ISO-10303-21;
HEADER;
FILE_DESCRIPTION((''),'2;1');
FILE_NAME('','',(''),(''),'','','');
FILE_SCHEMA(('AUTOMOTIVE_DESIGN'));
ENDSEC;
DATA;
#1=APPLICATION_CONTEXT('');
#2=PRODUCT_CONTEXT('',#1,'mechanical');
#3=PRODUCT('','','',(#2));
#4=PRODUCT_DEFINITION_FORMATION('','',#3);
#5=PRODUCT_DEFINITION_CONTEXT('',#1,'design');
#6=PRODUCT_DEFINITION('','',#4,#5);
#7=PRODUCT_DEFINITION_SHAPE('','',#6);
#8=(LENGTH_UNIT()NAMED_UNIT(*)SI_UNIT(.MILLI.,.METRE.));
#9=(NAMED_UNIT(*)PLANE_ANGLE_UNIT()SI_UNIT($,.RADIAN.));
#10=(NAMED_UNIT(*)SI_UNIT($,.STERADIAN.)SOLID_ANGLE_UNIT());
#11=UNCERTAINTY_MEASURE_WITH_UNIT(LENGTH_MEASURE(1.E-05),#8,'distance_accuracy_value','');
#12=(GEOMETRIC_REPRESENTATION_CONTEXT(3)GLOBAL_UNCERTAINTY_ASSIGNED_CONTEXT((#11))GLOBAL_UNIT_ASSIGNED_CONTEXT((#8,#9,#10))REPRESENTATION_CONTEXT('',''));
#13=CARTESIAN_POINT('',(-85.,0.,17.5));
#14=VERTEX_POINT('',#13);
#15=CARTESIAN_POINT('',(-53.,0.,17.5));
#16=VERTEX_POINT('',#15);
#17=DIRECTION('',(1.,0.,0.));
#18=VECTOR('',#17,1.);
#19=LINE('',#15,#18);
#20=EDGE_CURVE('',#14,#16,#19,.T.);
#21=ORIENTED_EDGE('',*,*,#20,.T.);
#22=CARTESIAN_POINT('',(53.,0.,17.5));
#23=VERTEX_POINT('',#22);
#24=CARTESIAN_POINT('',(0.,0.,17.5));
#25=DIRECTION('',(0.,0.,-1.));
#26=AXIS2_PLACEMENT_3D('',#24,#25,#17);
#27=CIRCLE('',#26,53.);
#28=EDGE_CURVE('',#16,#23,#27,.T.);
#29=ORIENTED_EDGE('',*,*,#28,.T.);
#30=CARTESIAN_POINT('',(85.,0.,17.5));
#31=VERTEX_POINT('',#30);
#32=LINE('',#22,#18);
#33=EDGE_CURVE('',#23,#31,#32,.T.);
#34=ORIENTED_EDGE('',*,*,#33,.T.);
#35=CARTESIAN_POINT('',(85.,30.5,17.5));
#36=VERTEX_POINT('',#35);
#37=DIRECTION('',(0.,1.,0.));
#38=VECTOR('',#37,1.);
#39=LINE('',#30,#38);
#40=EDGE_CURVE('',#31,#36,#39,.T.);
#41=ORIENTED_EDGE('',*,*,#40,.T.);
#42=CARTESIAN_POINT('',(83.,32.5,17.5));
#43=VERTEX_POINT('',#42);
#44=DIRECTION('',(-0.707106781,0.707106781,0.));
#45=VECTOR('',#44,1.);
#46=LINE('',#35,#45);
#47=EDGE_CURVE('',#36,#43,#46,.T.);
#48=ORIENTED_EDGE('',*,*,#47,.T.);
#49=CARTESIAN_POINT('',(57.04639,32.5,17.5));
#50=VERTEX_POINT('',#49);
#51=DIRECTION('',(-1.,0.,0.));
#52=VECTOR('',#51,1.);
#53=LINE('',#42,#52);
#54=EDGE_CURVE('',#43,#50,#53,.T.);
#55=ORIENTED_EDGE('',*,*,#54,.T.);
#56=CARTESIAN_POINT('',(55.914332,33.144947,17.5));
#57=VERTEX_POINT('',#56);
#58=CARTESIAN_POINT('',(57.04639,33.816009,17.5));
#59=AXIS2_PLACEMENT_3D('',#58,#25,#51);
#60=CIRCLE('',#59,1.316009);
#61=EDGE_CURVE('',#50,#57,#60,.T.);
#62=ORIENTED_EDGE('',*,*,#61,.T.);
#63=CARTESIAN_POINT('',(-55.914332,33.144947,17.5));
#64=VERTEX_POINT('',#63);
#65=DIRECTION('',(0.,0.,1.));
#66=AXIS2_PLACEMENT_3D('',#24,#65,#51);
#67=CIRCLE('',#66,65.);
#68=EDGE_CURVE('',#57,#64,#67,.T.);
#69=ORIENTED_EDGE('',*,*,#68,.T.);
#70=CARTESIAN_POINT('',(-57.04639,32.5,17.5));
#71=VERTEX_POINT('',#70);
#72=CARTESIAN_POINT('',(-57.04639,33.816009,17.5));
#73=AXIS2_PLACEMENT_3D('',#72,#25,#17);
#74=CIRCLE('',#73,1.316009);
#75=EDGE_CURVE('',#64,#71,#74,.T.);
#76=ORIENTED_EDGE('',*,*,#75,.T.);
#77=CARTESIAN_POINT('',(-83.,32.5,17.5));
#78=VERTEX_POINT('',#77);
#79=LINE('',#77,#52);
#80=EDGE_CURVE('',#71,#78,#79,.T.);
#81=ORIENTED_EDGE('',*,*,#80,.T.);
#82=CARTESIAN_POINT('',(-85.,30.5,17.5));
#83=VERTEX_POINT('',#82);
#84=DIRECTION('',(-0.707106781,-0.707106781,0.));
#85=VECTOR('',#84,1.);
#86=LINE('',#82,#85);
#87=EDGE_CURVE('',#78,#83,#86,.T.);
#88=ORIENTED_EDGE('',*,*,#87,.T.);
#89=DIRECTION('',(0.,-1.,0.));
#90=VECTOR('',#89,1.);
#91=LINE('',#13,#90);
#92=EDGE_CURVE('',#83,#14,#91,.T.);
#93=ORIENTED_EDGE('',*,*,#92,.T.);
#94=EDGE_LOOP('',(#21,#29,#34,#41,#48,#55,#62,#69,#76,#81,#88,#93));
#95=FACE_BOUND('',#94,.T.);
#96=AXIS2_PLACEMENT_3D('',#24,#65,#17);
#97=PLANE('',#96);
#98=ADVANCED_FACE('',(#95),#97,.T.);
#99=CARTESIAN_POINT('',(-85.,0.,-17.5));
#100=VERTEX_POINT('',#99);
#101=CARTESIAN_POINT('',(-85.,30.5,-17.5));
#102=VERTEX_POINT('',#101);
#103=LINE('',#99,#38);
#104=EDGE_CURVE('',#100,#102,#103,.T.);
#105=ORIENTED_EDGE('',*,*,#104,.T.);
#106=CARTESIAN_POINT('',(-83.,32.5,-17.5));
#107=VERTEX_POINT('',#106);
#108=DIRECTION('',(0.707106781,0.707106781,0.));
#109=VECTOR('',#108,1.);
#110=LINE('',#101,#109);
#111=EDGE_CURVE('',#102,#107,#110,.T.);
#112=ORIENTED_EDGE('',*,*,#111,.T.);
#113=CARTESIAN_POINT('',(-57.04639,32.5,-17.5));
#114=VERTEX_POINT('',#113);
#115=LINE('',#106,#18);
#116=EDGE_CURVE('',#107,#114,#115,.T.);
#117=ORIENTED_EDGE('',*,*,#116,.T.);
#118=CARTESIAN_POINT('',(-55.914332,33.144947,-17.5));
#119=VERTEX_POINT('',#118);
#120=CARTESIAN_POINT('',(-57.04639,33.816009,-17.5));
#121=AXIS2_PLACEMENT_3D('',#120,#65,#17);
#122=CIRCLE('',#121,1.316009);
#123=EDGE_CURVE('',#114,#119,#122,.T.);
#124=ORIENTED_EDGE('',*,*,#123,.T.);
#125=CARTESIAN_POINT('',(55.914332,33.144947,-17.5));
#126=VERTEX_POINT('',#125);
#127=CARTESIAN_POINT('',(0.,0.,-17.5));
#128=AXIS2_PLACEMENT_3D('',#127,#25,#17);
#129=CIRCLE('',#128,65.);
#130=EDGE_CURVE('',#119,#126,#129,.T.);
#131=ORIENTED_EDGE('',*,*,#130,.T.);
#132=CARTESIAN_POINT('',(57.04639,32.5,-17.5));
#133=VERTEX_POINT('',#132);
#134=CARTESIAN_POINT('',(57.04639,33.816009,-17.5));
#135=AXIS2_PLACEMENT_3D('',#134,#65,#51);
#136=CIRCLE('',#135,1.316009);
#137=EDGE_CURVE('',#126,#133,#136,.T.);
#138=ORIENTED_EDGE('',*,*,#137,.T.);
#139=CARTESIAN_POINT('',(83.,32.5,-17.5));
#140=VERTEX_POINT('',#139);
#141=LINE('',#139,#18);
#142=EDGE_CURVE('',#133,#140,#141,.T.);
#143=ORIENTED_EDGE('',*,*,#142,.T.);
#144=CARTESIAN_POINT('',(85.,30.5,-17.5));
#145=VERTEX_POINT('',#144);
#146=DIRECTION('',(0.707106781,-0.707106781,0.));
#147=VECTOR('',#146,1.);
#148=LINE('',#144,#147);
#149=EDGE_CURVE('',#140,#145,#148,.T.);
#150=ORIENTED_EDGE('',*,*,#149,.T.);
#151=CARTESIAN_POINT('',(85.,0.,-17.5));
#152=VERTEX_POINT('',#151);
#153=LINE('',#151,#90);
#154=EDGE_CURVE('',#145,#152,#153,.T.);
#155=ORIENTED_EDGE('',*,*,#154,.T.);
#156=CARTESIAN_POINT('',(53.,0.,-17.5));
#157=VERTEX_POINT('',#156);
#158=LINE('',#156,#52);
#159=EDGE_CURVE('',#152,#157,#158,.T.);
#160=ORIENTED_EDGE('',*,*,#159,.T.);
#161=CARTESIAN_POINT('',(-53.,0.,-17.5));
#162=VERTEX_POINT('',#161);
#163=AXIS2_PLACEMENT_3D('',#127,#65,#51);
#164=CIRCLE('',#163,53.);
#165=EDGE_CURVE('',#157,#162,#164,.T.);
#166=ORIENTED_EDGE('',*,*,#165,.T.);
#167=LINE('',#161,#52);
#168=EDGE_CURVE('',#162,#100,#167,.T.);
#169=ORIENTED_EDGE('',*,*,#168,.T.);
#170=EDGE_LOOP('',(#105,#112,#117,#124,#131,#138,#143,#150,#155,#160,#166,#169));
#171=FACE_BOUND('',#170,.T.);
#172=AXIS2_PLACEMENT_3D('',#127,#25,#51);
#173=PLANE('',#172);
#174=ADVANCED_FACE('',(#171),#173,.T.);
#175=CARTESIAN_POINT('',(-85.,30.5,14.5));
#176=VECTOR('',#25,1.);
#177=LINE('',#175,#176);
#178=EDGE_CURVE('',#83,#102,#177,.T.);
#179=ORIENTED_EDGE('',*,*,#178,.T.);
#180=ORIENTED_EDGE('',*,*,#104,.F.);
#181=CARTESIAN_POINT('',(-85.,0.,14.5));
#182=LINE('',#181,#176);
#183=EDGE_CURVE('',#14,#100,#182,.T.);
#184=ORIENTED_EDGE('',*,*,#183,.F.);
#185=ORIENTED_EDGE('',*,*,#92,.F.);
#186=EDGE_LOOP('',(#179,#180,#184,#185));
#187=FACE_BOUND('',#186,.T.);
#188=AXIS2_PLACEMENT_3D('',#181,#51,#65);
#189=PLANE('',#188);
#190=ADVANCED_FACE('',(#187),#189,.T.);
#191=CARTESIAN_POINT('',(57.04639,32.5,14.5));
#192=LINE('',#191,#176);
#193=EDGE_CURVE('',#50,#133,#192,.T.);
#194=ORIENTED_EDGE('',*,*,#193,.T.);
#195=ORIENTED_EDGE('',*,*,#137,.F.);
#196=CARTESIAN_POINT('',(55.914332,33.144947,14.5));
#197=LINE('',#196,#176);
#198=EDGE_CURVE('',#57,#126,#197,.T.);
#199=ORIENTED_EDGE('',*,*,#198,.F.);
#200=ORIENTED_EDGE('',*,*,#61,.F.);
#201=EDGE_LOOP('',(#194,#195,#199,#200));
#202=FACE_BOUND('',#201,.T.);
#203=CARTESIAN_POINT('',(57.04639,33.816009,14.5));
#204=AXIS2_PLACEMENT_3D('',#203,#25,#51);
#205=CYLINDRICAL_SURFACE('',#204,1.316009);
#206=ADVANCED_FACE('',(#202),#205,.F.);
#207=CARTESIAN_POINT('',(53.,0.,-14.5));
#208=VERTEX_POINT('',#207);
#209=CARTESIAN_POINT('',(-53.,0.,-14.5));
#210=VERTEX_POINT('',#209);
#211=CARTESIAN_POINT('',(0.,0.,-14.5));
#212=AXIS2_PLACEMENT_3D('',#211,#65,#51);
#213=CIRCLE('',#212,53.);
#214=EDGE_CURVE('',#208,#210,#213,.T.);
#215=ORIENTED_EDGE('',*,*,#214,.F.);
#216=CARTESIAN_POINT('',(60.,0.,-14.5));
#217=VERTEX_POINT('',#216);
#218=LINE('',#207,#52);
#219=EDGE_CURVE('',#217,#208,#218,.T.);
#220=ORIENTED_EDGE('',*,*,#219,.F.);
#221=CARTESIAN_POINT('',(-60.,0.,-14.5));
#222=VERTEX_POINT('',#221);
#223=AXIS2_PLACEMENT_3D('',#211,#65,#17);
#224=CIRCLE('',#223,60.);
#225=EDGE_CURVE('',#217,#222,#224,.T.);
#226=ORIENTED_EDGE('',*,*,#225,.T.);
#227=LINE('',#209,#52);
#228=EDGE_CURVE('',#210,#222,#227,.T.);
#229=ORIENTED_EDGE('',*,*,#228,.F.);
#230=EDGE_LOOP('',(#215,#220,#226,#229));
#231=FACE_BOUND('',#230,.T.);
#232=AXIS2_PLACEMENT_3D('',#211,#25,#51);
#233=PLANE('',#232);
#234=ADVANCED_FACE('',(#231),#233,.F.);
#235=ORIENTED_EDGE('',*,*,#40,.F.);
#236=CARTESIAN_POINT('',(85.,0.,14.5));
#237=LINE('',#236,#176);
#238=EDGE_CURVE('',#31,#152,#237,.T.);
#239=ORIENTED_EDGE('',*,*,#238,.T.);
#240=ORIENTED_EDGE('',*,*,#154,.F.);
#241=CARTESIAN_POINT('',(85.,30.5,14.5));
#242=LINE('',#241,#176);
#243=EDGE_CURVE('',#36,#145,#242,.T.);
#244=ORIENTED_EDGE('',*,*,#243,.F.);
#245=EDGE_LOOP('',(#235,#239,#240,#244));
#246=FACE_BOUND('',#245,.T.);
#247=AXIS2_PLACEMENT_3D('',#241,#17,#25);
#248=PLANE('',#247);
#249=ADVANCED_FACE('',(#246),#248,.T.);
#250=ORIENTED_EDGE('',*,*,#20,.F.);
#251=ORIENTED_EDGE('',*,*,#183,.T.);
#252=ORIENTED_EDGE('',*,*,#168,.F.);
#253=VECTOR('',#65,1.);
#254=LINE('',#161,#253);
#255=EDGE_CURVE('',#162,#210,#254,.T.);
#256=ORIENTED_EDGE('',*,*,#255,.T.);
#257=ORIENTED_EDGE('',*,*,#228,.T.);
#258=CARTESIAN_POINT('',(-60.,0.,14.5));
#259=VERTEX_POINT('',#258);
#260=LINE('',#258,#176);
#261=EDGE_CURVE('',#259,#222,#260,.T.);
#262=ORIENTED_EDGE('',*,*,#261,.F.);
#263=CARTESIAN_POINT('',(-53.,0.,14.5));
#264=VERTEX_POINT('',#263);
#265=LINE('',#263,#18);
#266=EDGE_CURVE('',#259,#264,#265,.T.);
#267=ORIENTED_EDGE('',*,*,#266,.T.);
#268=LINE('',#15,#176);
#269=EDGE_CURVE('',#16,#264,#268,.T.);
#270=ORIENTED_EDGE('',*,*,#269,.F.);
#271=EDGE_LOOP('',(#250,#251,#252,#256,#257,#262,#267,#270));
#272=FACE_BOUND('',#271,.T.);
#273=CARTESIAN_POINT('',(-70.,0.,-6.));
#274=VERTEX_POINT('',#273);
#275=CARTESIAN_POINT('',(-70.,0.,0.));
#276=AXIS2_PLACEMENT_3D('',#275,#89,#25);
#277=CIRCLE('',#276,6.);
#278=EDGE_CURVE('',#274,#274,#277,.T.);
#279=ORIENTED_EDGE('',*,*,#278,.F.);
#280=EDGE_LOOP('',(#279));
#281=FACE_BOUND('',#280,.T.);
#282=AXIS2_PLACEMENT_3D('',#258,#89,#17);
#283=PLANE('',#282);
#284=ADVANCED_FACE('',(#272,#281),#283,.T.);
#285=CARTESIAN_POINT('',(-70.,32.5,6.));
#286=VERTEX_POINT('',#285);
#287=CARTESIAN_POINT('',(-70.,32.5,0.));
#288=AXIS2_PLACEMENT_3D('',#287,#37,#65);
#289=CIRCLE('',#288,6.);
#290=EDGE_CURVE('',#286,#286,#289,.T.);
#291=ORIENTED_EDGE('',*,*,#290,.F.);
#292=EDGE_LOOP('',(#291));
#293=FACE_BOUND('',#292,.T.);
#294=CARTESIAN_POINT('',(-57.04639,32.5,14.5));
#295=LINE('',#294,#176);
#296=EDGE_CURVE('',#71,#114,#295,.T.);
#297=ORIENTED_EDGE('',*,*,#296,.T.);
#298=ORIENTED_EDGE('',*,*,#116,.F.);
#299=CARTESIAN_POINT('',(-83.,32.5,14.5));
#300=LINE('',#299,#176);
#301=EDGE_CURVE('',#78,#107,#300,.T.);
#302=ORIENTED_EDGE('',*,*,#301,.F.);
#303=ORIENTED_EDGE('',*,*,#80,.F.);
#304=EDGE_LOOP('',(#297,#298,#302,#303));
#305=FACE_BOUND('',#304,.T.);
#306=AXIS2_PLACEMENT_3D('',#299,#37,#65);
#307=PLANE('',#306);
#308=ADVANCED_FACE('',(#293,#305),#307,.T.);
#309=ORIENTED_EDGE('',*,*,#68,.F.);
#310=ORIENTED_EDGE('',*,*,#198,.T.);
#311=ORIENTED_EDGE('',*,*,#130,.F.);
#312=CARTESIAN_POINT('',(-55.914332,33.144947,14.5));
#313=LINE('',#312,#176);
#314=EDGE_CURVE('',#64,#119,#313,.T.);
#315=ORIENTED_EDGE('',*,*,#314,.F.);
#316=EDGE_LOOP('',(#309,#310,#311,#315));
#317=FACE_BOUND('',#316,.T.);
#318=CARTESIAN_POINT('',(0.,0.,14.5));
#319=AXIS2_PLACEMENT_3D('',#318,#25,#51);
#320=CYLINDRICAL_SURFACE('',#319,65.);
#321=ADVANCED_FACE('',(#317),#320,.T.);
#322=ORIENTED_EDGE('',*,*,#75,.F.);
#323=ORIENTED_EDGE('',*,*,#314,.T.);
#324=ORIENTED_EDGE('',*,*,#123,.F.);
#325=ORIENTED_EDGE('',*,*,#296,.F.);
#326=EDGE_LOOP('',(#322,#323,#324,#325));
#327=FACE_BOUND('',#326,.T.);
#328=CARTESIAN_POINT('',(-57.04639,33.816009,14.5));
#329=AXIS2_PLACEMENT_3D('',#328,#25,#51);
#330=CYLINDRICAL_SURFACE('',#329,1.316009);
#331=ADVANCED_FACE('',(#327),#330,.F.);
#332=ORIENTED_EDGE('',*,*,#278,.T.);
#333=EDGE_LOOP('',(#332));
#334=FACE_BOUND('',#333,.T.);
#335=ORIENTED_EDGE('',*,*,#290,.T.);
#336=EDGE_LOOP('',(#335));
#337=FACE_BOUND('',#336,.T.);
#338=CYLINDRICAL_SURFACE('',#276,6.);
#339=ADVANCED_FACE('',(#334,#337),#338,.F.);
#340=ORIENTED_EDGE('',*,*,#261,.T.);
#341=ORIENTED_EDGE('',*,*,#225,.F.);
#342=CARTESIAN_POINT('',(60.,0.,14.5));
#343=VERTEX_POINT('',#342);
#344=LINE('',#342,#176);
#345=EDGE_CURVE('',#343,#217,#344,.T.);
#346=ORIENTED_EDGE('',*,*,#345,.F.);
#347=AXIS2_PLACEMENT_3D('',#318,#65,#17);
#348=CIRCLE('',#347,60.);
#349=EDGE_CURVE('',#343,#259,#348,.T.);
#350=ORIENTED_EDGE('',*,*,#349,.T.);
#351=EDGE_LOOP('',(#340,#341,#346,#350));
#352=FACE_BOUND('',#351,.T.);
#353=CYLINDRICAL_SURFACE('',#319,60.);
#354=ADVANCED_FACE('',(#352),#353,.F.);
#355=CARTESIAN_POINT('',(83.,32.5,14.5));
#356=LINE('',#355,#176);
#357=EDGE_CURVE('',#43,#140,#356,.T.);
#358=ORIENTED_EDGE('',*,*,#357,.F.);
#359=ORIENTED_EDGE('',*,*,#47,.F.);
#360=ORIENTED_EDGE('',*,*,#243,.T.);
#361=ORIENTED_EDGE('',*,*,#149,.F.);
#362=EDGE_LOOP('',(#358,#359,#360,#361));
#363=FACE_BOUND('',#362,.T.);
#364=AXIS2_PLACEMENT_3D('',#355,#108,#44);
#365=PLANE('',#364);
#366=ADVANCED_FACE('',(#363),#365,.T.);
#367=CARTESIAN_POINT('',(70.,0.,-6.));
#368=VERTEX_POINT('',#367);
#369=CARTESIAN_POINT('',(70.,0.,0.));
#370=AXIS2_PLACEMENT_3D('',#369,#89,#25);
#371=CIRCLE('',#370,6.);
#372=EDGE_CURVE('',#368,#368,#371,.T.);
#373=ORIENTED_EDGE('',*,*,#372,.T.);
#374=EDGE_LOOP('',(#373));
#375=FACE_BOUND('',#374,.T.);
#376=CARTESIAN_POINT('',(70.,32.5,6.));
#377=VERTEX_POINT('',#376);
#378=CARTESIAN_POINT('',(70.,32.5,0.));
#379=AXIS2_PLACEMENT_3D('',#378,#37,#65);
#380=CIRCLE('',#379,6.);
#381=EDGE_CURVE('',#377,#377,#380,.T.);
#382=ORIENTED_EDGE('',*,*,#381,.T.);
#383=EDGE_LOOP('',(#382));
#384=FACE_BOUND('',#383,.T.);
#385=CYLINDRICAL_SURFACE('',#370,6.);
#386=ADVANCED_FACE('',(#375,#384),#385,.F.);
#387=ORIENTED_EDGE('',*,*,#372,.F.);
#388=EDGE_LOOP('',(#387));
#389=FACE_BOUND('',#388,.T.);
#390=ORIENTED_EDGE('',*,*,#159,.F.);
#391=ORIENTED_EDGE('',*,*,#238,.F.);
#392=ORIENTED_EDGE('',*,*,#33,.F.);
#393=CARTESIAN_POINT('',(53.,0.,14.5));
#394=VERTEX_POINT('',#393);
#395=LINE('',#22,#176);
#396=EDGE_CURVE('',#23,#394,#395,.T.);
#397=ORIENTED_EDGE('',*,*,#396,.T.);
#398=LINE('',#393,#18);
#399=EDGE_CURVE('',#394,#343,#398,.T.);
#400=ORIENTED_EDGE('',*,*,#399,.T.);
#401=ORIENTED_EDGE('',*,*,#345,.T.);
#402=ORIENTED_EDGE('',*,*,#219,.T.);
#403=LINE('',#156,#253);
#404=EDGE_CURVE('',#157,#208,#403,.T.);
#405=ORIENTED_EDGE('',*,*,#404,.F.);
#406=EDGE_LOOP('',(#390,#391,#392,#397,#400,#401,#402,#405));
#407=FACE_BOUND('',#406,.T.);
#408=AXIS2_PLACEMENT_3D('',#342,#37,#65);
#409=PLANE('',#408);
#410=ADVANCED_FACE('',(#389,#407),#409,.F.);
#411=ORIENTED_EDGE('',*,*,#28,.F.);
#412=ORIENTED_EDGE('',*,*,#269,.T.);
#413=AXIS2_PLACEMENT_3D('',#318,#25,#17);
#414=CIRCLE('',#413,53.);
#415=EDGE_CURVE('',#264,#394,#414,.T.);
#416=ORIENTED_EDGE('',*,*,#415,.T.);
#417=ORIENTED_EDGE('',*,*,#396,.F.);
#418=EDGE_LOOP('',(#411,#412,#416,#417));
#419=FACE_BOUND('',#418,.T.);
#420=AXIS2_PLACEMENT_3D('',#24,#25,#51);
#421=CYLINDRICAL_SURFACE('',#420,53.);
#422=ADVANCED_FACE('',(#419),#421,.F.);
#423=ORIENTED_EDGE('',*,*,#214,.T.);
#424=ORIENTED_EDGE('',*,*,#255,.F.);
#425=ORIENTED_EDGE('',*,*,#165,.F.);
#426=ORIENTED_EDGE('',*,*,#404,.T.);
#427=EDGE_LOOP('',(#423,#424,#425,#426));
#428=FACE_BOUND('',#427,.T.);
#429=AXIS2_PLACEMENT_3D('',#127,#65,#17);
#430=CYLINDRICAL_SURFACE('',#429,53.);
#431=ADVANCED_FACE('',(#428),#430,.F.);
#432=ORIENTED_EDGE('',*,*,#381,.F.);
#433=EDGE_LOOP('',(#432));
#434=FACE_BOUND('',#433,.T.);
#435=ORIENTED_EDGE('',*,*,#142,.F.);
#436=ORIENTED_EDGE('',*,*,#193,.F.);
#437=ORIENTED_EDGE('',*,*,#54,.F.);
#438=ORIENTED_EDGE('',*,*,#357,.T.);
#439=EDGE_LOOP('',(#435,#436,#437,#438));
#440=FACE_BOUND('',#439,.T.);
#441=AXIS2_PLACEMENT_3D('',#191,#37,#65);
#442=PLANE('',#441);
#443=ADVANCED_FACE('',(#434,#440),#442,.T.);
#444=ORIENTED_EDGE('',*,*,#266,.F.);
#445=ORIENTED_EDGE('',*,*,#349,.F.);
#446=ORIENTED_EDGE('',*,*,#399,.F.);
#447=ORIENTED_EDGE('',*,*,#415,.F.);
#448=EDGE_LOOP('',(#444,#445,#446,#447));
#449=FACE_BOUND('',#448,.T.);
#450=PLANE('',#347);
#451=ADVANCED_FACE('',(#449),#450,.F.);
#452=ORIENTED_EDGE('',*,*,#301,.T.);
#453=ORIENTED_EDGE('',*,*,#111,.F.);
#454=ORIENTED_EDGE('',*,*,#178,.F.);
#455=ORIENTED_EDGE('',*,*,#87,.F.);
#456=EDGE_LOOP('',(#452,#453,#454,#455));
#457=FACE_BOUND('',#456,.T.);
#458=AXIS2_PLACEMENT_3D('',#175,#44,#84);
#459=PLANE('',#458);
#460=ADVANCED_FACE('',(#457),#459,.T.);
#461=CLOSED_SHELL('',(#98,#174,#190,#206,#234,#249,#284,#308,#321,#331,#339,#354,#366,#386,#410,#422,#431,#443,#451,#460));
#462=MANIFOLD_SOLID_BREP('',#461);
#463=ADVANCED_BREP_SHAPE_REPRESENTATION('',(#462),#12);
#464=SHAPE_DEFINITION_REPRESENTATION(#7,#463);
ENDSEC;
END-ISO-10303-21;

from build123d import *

# Parameters (mm, degrees)
DODANIE_WYCI_GNI_CIE1_DEPTH = 14.5
OTW_R_12_0_12_1_D           = 12
DODANIE_WYCI_GNI_CIE2_DEPTH = 3
DODANIE_WYCI_GNI_CIE3_START = 3
DODANIE_WYCI_GNI_CIE3_DEPTH = 3


with BuildPart() as part:
    # Szkic1 → Dodanie-wyciągnięcie1 (new, symmetric)
    with BuildSketch(Plane.XY):
        with BuildLine():
            Line((-85, 30.5), (-83, 32.5))
            Line((-83, 32.5), (-57.046389972, 32.5))
            ThreePointArc((-57.046389972, 32.5), (-56.394946898, 32.672548578), (-55.914331752, 33.144946896))
            ThreePointArc((-55.914331752, 33.144946896), (0, 65), (55.914331752, 33.144946896))
            ThreePointArc((55.914331752, 33.144946896), (56.394946898, 32.672548578), (57.046389972, 32.5))
            Line((57.046389972, 32.5), (83, 32.5))
            Line((83, 32.5), (85, 30.5))
            Line((85, 30.5), (85, 0))
            Line((85, 0), (60, 0))
            ThreePointArc((60, 0), (0, 60), (-60, 0))
            Line((-60, 0), (-85, 0))
            Line((-85, 0), (-85, 30.5))
        make_face()
    extrude(amount=DODANIE_WYCI_GNI_CIE1_DEPTH, both=True)

    # Otwór Ø12.0 (12)1 (through all)
    with Locations(Plane(origin=(0, 0, 0), x_dir=(-1, 0, 0), z_dir=(0, -1, 0))):
        with Locations((70, 0), (-70, 0)):
            Hole(OTW_R_12_0_12_1_D / 2)

    # Szkic4 → Dodanie-wyciągnięcie2 (add)
    with BuildSketch(Plane(origin=(0, 0, -14.5), x_dir=(-1, 0, 0), z_dir=(0, 0, -1))):
        with BuildLine():
            Line((-53, 0), (-85, 0))
            Line((-85, 0), (-85, 30.5))
            Line((-85, 30.5), (-83, 32.5))
            Line((-83, 32.5), (-57.046389972, 32.5))
            ThreePointArc((-57.046389972, 32.5), (-56.394946898, 32.672548578), (-55.914331752, 33.144946896))
            ThreePointArc((-55.914331752, 33.144946896), (0, 65), (55.914331752, 33.144946896))
            ThreePointArc((55.914331752, 33.144946896), (56.394946898, 32.672548578), (57.046389972, 32.5))
            Line((57.046389972, 32.5), (83, 32.5))
            Line((83, 32.5), (85, 30.5))
            Line((85, 30.5), (85, 0))
            Line((85, 0), (53, 0))
            ThreePointArc((53, 0), (0, 53), (-53, 0))
        make_face()
    extrude(amount=DODANIE_WYCI_GNI_CIE2_DEPTH)

    # Szkic5 → Dodanie-wyciągnięcie3 (add)
    with BuildSketch(Plane.XY.offset(14.5).offset(DODANIE_WYCI_GNI_CIE3_START)):
        with BuildLine():
            Line((-53, 0), (-85, 0))
            Line((-85, 0), (-85, 30.5))
            Line((-85, 30.5), (-83, 32.5))
            Line((-83, 32.5), (-57.046389972, 32.5))
            ThreePointArc((-57.046389972, 32.5), (-56.394946898, 32.672548578), (-55.914331752, 33.144946896))
            ThreePointArc((-55.914331752, 33.144946896), (0, 65), (55.914331752, 33.144946896))
            ThreePointArc((55.914331752, 33.144946896), (56.394946898, 32.672548578), (57.046389972, 32.5))
            Line((57.046389972, 32.5), (83, 32.5))
            Line((83, 32.5), (85, 30.5))
            Line((85, 30.5), (85, 0))
            Line((85, 0), (53, 0))
            ThreePointArc((53, 0), (0, 53), (-53, 0))
        make_face()
    extrude(amount=-DODANIE_WYCI_GNI_CIE3_DEPTH)


solid = part.part
